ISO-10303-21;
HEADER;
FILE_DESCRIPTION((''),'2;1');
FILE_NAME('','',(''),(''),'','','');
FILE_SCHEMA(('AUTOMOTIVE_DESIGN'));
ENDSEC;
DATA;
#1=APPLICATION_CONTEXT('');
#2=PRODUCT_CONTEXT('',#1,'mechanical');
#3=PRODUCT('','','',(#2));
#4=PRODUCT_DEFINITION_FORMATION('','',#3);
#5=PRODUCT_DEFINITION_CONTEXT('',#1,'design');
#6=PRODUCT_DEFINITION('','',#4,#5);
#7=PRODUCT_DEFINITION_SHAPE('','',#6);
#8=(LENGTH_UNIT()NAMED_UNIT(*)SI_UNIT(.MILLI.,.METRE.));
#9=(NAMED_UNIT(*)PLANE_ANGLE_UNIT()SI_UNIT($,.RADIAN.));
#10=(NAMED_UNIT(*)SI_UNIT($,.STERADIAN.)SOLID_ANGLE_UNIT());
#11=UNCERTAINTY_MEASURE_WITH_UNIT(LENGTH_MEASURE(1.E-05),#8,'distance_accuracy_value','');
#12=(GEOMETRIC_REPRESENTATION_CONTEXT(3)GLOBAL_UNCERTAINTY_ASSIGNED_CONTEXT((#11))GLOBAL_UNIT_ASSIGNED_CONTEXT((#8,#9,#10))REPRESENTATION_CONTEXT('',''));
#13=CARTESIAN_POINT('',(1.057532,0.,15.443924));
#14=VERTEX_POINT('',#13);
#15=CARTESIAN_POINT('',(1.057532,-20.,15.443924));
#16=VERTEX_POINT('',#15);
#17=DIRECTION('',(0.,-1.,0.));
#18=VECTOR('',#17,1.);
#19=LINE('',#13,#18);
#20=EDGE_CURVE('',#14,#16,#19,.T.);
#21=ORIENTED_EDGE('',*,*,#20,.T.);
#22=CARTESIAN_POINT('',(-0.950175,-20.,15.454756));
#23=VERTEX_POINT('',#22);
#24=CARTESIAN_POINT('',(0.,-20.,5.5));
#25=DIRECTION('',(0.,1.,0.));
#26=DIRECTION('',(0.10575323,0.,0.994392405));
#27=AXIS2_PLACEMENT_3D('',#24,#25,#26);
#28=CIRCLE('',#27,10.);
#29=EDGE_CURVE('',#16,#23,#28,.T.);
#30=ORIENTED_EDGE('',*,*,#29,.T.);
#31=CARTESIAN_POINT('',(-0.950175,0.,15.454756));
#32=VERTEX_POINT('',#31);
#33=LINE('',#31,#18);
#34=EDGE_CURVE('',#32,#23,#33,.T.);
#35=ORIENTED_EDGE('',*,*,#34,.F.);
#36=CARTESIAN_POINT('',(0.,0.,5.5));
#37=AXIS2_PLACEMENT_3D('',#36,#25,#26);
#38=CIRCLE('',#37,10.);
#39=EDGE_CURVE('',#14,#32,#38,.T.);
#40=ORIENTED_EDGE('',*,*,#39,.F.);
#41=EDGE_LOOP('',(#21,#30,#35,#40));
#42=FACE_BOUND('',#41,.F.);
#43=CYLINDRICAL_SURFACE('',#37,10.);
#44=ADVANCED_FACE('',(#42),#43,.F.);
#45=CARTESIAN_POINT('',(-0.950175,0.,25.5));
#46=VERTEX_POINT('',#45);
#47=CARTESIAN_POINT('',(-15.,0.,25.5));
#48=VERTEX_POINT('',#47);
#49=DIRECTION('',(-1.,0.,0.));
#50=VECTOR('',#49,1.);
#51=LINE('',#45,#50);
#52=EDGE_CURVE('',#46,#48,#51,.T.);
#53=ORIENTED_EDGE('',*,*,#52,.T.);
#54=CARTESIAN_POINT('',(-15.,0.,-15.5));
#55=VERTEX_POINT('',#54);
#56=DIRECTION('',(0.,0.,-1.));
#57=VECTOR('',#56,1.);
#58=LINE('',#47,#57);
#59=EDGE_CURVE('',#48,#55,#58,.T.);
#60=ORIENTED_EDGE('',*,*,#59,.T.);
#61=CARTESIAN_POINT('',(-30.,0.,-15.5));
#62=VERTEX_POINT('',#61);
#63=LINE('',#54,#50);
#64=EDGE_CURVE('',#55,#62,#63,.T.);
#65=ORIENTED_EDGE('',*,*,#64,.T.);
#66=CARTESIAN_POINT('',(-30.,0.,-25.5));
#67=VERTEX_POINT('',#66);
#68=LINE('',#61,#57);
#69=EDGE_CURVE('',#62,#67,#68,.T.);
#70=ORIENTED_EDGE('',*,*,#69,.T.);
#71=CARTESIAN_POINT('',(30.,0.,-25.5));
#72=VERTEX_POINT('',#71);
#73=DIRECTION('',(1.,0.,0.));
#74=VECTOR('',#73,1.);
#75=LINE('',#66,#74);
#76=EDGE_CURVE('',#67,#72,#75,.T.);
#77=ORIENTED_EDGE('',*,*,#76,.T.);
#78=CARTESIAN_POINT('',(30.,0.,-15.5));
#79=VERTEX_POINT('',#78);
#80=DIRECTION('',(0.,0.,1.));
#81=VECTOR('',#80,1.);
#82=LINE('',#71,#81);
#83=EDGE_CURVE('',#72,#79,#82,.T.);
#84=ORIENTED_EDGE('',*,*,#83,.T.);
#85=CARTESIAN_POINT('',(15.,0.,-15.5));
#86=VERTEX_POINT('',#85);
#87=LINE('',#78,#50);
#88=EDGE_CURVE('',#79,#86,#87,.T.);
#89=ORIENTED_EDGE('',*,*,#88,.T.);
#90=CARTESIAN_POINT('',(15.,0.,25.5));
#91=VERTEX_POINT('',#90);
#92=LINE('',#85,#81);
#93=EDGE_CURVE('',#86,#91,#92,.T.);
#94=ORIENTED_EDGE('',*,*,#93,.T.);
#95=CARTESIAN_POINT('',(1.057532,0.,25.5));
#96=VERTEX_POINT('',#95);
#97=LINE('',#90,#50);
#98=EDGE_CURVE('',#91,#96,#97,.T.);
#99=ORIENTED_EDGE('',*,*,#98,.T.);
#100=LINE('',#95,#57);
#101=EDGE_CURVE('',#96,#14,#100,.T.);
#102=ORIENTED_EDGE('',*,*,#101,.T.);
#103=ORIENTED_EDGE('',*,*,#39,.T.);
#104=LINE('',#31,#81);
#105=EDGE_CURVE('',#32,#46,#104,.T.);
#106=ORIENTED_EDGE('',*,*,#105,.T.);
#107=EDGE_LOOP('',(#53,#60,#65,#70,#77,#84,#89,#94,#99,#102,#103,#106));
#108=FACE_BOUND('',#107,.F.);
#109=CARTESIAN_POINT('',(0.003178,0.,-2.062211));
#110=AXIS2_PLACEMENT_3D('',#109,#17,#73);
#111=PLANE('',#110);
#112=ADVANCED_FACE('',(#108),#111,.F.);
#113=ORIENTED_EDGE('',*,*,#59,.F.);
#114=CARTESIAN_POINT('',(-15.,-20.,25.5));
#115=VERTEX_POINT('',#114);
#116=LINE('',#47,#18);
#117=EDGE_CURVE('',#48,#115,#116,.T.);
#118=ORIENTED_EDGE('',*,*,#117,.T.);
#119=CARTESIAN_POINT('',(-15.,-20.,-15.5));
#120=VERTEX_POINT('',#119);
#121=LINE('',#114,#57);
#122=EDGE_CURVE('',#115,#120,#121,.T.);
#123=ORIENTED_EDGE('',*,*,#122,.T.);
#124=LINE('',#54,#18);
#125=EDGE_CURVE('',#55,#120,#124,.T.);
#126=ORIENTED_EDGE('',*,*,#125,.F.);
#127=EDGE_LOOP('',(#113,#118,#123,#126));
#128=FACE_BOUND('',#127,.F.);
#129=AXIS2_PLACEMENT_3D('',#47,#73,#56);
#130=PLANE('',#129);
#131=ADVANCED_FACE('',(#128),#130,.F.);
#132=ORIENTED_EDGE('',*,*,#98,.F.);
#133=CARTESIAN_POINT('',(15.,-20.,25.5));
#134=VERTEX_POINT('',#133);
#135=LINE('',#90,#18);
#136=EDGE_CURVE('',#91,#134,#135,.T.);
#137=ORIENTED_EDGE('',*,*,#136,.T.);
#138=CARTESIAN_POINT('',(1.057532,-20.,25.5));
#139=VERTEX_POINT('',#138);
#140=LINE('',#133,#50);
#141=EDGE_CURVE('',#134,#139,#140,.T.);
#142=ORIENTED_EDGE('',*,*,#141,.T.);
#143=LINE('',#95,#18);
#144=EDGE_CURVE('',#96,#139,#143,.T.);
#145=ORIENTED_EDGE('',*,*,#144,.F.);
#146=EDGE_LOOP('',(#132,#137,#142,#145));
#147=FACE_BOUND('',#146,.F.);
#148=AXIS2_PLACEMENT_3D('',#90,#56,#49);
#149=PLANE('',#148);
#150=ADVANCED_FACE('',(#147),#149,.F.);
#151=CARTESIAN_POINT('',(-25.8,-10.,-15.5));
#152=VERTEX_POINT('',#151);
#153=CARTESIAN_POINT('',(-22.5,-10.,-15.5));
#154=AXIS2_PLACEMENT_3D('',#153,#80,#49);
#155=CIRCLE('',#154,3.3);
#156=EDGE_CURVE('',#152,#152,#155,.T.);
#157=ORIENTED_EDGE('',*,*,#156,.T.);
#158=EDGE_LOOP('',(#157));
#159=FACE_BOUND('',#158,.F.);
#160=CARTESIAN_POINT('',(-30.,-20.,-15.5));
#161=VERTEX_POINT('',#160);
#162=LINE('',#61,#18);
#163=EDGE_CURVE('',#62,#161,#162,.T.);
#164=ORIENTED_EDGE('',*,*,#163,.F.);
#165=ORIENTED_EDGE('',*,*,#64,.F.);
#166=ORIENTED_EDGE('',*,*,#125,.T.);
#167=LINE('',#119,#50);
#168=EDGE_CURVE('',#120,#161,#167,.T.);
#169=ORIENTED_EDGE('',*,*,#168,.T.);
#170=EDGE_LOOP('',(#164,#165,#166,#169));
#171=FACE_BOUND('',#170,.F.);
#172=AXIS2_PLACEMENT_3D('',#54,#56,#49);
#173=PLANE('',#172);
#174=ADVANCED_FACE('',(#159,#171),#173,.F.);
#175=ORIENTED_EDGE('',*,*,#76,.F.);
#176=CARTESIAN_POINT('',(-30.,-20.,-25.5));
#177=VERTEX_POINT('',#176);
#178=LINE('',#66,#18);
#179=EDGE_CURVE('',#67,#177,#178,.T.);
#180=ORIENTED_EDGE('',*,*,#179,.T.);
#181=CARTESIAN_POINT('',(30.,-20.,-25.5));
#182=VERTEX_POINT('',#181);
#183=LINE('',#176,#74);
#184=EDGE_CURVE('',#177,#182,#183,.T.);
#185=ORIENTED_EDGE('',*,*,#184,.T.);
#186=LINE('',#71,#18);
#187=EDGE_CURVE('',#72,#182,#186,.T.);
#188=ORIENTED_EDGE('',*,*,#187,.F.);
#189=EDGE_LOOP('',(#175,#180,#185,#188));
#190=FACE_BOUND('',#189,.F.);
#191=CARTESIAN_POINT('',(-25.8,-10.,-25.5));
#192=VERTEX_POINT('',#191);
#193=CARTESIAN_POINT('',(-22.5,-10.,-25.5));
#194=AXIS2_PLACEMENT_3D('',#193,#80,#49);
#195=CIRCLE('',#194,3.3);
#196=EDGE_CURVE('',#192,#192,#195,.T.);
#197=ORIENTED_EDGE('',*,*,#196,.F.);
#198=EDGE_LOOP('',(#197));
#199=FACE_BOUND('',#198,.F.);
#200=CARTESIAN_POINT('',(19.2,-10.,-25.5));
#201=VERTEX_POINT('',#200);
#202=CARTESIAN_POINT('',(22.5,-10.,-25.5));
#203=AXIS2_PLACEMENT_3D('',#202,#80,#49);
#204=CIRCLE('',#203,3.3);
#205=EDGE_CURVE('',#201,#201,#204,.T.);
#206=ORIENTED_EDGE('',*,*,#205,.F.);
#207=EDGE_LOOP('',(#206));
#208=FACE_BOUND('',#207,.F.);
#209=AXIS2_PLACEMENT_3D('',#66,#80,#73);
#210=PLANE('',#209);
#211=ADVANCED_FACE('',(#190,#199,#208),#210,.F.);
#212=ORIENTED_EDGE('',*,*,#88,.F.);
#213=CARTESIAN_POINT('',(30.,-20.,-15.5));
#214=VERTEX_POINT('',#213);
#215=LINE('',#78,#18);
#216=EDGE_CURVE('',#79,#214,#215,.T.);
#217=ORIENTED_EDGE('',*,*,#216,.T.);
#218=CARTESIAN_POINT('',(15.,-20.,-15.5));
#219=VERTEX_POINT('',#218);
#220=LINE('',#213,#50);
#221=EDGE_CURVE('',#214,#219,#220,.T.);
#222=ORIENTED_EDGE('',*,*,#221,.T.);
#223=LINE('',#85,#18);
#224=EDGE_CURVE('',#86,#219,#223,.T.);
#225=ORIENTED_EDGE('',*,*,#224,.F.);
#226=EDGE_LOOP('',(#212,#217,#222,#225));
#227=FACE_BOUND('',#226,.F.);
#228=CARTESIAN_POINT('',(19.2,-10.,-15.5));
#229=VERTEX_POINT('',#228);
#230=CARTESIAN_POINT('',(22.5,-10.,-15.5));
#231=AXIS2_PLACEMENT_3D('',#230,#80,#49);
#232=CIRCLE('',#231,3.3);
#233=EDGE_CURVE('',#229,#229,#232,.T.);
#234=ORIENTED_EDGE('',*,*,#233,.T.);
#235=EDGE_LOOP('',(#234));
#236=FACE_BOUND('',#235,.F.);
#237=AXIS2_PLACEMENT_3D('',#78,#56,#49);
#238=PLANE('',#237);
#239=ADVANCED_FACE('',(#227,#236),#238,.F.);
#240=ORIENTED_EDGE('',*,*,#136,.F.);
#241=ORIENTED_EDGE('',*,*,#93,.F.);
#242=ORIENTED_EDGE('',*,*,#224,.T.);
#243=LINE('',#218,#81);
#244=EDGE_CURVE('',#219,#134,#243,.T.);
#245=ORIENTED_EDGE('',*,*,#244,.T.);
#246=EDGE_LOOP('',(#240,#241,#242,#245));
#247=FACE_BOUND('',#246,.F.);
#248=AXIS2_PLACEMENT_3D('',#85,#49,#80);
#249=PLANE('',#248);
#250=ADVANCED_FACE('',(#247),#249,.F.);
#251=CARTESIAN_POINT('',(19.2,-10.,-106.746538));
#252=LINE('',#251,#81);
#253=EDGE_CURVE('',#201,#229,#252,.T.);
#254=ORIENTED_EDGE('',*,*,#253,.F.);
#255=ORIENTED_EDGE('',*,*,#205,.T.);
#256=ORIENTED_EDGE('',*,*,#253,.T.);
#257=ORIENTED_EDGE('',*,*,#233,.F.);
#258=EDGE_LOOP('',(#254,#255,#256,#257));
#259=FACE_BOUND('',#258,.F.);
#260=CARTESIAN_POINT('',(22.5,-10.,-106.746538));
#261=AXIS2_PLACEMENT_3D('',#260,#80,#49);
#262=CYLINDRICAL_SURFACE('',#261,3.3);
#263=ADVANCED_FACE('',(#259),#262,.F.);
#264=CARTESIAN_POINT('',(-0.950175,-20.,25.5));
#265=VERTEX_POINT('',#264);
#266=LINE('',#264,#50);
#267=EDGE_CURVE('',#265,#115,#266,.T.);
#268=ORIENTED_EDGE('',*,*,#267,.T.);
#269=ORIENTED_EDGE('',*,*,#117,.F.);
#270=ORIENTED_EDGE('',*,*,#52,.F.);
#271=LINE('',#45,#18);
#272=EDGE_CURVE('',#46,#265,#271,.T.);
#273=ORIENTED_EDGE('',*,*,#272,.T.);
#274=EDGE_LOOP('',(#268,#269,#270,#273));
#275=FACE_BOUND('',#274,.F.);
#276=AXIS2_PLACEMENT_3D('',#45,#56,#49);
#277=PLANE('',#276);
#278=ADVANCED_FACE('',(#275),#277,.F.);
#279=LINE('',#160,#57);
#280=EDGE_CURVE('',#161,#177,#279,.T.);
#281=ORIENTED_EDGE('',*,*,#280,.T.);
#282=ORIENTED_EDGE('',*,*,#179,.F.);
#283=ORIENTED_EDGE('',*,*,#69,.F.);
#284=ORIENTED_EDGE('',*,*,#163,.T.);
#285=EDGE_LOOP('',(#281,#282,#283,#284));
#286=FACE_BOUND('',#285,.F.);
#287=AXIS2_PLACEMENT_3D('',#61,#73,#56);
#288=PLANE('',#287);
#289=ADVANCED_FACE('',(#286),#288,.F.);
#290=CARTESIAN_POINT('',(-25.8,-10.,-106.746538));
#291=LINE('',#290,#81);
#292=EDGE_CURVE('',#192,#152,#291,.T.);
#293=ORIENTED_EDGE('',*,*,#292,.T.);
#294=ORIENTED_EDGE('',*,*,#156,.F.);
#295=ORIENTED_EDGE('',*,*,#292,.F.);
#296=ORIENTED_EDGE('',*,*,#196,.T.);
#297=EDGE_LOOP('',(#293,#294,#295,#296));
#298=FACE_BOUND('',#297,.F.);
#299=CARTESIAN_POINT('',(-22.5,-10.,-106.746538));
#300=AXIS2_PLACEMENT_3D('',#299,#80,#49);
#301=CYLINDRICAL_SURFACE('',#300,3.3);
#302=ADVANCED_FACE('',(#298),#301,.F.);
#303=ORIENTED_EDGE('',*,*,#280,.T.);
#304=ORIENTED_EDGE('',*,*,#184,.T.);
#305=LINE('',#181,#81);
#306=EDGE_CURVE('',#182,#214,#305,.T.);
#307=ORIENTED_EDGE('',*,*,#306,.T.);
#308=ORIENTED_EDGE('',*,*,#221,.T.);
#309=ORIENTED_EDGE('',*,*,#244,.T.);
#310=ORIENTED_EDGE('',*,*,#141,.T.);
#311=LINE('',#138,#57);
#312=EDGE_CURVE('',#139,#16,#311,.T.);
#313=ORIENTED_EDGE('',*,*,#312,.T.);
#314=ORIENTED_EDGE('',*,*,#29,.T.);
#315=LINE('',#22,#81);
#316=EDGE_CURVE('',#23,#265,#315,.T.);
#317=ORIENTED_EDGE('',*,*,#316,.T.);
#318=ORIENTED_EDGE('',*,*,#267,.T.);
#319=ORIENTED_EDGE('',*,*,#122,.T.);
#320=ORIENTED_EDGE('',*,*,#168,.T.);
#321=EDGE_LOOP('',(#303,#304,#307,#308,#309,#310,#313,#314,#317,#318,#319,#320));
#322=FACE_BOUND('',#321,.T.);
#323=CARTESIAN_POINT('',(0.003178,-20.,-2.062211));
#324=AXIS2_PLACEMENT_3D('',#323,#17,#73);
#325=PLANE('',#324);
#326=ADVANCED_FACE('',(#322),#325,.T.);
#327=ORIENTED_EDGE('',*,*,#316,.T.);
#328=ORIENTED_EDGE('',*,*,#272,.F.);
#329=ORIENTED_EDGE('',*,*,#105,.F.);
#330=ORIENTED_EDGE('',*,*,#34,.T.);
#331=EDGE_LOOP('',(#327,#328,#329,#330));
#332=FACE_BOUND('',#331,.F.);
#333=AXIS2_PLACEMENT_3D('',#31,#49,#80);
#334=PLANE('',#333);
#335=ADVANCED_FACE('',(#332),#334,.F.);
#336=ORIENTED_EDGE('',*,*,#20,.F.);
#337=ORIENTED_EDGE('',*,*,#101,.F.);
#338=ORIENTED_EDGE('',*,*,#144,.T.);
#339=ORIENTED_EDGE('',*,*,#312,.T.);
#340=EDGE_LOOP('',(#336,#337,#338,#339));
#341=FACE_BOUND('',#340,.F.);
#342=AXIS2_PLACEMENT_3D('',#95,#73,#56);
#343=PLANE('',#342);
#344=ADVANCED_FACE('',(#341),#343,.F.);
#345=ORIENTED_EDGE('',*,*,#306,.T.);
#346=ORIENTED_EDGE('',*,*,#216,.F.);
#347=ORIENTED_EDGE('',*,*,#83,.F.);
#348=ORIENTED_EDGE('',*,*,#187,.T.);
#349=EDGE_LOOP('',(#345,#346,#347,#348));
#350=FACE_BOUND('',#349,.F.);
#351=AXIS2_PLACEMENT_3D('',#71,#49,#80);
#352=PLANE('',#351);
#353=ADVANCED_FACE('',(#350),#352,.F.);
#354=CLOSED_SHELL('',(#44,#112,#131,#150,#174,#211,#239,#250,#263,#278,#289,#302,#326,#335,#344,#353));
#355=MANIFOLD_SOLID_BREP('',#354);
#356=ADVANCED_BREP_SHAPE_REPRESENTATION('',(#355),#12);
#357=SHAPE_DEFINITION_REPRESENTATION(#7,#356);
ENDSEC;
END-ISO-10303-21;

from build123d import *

# Parameters (mm, degrees)
F1_DEPTH = 20
F3_D     = 6.6
F4_D     = 6.6


with BuildPart() as f1:
    # F0 (on Front) → F1 (new body)
    with BuildSketch(Plane.XZ):
        with BuildLine():
            Line((-30, -25.5), (30, -25.5))
            Line((30, -25.5), (30, -15.5))
            Line((30, -15.5), (15, -15.5))
            Line((15, -15.5), (15, 25.5))
            Line((15, 25.5), (1.057532, 25.5))
            Line((1.057532, 25.5), (1.057532, 15.443924))
            ThreePointArc((1.057532, 15.443924), (-0.053951, -4.499854), (-0.950175, 15.454756))
            Line((-0.950175, 15.454756), (-0.950175, 25.5))
            Line((-0.950175, 25.5), (-15, 25.5))
            Line((-15, 25.5), (-15, -10.487244))
            Line((-15, -10.487244), (-15, -15.5))
            Line((-15, -15.5), (-30, -15.5))
            Line((-30, -15.5), (-30, -25.5))
        make_face()
    extrude(amount=F1_DEPTH)

    # F3 (through all)
    with Locations(Plane(origin=(0, 0, -25.5), x_dir=(1, 0, 0), z_dir=(0, 0, -1))):
        with Locations((-22.5, 10)):
            Hole(F3_D / 2)

    # F4 (through all)
    with Locations(Plane(origin=(0, 0, -25.5), x_dir=(1, 0, 0), z_dir=(0, 0, -1))):
        with Locations((22.5, 10)):
            Hole(F4_D / 2)


solid = f1.part
